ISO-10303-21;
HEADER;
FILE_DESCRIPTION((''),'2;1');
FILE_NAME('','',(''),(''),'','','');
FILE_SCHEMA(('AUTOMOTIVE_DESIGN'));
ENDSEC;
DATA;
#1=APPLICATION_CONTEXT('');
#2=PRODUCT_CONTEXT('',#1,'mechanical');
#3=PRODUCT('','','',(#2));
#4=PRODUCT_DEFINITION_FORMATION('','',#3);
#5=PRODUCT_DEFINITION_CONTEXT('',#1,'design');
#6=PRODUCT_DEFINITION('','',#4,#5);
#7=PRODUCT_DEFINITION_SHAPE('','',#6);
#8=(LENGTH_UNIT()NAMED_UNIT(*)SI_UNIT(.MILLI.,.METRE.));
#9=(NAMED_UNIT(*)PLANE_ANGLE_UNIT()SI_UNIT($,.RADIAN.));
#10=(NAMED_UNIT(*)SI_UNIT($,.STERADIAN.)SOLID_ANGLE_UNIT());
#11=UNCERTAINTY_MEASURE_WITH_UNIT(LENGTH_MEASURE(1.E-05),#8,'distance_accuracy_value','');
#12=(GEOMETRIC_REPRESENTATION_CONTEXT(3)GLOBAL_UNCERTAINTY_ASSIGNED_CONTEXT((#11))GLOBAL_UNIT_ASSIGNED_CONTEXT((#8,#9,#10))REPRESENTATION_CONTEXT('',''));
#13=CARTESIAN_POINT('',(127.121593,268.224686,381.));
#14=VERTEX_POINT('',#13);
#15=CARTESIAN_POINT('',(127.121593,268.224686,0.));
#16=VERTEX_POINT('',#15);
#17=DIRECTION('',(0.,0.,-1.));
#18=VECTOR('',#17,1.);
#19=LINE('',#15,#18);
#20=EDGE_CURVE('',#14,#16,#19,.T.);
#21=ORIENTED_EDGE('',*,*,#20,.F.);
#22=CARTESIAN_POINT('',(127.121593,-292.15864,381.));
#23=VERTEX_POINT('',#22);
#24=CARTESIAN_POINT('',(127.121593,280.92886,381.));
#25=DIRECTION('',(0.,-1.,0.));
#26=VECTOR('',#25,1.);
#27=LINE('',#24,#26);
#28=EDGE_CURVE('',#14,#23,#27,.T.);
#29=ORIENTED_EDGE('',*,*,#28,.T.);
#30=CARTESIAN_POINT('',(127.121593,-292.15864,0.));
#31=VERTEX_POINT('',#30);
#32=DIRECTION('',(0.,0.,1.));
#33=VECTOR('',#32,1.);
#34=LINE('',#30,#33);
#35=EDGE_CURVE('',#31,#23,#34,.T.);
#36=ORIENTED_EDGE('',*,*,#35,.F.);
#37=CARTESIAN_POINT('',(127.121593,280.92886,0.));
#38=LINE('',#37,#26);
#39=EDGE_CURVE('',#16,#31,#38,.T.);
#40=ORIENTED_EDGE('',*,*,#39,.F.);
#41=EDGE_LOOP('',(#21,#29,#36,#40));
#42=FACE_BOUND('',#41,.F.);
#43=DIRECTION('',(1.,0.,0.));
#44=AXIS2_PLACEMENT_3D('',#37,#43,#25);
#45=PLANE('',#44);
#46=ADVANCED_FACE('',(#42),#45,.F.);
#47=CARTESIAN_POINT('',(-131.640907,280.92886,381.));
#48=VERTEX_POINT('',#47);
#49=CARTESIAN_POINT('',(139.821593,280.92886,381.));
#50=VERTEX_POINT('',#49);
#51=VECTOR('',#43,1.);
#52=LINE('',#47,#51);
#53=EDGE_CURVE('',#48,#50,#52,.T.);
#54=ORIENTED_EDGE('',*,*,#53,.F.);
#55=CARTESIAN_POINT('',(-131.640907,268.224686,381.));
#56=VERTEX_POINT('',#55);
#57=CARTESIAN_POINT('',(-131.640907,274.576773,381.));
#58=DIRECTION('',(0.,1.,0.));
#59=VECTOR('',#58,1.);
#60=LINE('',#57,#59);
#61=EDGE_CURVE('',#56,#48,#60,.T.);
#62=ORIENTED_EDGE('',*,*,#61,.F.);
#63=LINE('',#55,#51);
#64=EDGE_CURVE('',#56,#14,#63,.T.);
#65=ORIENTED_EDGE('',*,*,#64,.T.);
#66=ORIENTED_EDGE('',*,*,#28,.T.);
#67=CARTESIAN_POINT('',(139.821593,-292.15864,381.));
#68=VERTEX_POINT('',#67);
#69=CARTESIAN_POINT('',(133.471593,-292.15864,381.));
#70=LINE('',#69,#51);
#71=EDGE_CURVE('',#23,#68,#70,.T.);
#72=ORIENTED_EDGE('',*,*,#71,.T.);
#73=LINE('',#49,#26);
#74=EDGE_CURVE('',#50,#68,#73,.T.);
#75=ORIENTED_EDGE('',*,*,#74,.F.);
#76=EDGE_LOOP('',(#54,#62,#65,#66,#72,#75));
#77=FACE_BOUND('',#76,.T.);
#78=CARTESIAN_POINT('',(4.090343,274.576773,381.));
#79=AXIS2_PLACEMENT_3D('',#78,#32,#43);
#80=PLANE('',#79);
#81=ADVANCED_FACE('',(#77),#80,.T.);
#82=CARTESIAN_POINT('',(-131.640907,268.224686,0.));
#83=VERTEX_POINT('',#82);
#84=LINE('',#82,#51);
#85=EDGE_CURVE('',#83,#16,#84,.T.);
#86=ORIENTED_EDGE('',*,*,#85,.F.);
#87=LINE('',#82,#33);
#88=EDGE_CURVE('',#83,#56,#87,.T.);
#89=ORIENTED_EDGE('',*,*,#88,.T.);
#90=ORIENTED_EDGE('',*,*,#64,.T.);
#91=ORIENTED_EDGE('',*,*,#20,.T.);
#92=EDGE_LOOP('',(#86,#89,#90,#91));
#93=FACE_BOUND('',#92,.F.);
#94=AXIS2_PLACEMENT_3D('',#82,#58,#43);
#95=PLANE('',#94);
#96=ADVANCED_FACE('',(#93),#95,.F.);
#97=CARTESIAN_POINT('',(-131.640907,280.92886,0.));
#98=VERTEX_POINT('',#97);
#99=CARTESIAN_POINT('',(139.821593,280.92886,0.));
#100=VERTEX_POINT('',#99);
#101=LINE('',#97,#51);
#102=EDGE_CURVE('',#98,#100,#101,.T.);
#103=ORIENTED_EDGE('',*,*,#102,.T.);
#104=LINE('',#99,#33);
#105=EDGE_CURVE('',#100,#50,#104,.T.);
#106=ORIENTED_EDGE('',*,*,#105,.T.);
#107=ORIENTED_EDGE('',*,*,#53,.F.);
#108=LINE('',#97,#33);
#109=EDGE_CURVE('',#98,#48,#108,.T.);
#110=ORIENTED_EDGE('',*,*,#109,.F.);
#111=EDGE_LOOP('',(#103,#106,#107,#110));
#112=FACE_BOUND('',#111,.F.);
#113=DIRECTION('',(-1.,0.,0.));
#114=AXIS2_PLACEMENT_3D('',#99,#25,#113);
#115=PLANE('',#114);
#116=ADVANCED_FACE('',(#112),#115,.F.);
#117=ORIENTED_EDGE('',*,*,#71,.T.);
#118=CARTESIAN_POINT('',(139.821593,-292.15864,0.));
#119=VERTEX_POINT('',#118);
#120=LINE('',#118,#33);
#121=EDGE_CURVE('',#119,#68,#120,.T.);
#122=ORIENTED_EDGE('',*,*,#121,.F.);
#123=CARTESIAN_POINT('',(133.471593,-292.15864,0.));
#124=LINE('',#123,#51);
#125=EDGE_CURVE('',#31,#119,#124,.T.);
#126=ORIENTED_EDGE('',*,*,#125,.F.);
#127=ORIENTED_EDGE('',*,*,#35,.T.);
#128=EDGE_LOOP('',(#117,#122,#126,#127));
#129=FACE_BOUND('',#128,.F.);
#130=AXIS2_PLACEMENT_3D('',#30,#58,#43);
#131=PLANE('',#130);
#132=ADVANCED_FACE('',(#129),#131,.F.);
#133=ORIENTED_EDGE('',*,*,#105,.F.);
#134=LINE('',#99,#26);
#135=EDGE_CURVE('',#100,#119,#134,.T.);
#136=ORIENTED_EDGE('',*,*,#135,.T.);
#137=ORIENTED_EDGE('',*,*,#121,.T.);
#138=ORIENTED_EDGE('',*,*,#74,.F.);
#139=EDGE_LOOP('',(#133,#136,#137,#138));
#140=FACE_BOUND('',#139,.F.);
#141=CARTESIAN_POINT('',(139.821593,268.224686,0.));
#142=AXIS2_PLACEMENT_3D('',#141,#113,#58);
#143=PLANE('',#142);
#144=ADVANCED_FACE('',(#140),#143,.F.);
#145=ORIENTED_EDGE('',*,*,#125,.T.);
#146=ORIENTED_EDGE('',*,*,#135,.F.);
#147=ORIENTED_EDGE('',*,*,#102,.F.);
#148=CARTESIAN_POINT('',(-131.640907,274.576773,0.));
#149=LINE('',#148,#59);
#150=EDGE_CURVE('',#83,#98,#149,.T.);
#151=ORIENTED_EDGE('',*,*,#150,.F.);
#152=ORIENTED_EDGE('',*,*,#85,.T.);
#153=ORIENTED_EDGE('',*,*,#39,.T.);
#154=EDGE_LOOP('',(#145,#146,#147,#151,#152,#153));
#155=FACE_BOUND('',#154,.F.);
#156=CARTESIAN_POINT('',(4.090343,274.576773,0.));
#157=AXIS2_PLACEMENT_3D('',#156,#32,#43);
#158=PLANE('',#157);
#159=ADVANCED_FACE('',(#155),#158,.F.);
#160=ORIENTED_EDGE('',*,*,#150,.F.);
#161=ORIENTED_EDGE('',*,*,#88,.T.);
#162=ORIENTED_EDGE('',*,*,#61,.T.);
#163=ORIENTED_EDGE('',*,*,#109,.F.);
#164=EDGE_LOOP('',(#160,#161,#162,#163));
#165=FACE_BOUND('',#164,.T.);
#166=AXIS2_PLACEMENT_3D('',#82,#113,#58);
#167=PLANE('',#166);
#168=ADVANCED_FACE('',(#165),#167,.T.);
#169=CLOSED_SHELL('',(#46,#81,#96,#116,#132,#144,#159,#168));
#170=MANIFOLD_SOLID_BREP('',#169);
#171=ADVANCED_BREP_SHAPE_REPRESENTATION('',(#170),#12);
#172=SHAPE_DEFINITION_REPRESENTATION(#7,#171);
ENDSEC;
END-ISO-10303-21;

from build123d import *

# Parameters (mm, degrees)
F0_W     = 246.0625
F0_H     = 12.704174
F0_W_2   = 12.7
F1_DEPTH = 381
F0_H_2   = 560.383326
F2_DEPTH = 381


with BuildPart() as f1:
    # F0 (on Top) → F1 (new body)
    with BuildSketch(Plane.XY):
        with Locations((4.090343, 274.576773)):
            Rectangle(F0_W, F0_H)
        with Locations((-125.290907, 274.576773)):
            Rectangle(F0_W_2, F0_H)
        with Locations((133.471593, 274.576773)):
            Rectangle(F0_W_2, F0_H)
    extrude(amount=F1_DEPTH)

    # F0 (on Top) → F2 (join)
    with BuildSketch(Plane.XY):
        with Locations((133.471593, 274.576773)):
            Rectangle(F0_W_2, F0_H)
        with Locations((133.471593, -11.966977)):
            Rectangle(F0_W_2, F0_H_2)
    extrude(amount=F2_DEPTH)


solid = f1.part
